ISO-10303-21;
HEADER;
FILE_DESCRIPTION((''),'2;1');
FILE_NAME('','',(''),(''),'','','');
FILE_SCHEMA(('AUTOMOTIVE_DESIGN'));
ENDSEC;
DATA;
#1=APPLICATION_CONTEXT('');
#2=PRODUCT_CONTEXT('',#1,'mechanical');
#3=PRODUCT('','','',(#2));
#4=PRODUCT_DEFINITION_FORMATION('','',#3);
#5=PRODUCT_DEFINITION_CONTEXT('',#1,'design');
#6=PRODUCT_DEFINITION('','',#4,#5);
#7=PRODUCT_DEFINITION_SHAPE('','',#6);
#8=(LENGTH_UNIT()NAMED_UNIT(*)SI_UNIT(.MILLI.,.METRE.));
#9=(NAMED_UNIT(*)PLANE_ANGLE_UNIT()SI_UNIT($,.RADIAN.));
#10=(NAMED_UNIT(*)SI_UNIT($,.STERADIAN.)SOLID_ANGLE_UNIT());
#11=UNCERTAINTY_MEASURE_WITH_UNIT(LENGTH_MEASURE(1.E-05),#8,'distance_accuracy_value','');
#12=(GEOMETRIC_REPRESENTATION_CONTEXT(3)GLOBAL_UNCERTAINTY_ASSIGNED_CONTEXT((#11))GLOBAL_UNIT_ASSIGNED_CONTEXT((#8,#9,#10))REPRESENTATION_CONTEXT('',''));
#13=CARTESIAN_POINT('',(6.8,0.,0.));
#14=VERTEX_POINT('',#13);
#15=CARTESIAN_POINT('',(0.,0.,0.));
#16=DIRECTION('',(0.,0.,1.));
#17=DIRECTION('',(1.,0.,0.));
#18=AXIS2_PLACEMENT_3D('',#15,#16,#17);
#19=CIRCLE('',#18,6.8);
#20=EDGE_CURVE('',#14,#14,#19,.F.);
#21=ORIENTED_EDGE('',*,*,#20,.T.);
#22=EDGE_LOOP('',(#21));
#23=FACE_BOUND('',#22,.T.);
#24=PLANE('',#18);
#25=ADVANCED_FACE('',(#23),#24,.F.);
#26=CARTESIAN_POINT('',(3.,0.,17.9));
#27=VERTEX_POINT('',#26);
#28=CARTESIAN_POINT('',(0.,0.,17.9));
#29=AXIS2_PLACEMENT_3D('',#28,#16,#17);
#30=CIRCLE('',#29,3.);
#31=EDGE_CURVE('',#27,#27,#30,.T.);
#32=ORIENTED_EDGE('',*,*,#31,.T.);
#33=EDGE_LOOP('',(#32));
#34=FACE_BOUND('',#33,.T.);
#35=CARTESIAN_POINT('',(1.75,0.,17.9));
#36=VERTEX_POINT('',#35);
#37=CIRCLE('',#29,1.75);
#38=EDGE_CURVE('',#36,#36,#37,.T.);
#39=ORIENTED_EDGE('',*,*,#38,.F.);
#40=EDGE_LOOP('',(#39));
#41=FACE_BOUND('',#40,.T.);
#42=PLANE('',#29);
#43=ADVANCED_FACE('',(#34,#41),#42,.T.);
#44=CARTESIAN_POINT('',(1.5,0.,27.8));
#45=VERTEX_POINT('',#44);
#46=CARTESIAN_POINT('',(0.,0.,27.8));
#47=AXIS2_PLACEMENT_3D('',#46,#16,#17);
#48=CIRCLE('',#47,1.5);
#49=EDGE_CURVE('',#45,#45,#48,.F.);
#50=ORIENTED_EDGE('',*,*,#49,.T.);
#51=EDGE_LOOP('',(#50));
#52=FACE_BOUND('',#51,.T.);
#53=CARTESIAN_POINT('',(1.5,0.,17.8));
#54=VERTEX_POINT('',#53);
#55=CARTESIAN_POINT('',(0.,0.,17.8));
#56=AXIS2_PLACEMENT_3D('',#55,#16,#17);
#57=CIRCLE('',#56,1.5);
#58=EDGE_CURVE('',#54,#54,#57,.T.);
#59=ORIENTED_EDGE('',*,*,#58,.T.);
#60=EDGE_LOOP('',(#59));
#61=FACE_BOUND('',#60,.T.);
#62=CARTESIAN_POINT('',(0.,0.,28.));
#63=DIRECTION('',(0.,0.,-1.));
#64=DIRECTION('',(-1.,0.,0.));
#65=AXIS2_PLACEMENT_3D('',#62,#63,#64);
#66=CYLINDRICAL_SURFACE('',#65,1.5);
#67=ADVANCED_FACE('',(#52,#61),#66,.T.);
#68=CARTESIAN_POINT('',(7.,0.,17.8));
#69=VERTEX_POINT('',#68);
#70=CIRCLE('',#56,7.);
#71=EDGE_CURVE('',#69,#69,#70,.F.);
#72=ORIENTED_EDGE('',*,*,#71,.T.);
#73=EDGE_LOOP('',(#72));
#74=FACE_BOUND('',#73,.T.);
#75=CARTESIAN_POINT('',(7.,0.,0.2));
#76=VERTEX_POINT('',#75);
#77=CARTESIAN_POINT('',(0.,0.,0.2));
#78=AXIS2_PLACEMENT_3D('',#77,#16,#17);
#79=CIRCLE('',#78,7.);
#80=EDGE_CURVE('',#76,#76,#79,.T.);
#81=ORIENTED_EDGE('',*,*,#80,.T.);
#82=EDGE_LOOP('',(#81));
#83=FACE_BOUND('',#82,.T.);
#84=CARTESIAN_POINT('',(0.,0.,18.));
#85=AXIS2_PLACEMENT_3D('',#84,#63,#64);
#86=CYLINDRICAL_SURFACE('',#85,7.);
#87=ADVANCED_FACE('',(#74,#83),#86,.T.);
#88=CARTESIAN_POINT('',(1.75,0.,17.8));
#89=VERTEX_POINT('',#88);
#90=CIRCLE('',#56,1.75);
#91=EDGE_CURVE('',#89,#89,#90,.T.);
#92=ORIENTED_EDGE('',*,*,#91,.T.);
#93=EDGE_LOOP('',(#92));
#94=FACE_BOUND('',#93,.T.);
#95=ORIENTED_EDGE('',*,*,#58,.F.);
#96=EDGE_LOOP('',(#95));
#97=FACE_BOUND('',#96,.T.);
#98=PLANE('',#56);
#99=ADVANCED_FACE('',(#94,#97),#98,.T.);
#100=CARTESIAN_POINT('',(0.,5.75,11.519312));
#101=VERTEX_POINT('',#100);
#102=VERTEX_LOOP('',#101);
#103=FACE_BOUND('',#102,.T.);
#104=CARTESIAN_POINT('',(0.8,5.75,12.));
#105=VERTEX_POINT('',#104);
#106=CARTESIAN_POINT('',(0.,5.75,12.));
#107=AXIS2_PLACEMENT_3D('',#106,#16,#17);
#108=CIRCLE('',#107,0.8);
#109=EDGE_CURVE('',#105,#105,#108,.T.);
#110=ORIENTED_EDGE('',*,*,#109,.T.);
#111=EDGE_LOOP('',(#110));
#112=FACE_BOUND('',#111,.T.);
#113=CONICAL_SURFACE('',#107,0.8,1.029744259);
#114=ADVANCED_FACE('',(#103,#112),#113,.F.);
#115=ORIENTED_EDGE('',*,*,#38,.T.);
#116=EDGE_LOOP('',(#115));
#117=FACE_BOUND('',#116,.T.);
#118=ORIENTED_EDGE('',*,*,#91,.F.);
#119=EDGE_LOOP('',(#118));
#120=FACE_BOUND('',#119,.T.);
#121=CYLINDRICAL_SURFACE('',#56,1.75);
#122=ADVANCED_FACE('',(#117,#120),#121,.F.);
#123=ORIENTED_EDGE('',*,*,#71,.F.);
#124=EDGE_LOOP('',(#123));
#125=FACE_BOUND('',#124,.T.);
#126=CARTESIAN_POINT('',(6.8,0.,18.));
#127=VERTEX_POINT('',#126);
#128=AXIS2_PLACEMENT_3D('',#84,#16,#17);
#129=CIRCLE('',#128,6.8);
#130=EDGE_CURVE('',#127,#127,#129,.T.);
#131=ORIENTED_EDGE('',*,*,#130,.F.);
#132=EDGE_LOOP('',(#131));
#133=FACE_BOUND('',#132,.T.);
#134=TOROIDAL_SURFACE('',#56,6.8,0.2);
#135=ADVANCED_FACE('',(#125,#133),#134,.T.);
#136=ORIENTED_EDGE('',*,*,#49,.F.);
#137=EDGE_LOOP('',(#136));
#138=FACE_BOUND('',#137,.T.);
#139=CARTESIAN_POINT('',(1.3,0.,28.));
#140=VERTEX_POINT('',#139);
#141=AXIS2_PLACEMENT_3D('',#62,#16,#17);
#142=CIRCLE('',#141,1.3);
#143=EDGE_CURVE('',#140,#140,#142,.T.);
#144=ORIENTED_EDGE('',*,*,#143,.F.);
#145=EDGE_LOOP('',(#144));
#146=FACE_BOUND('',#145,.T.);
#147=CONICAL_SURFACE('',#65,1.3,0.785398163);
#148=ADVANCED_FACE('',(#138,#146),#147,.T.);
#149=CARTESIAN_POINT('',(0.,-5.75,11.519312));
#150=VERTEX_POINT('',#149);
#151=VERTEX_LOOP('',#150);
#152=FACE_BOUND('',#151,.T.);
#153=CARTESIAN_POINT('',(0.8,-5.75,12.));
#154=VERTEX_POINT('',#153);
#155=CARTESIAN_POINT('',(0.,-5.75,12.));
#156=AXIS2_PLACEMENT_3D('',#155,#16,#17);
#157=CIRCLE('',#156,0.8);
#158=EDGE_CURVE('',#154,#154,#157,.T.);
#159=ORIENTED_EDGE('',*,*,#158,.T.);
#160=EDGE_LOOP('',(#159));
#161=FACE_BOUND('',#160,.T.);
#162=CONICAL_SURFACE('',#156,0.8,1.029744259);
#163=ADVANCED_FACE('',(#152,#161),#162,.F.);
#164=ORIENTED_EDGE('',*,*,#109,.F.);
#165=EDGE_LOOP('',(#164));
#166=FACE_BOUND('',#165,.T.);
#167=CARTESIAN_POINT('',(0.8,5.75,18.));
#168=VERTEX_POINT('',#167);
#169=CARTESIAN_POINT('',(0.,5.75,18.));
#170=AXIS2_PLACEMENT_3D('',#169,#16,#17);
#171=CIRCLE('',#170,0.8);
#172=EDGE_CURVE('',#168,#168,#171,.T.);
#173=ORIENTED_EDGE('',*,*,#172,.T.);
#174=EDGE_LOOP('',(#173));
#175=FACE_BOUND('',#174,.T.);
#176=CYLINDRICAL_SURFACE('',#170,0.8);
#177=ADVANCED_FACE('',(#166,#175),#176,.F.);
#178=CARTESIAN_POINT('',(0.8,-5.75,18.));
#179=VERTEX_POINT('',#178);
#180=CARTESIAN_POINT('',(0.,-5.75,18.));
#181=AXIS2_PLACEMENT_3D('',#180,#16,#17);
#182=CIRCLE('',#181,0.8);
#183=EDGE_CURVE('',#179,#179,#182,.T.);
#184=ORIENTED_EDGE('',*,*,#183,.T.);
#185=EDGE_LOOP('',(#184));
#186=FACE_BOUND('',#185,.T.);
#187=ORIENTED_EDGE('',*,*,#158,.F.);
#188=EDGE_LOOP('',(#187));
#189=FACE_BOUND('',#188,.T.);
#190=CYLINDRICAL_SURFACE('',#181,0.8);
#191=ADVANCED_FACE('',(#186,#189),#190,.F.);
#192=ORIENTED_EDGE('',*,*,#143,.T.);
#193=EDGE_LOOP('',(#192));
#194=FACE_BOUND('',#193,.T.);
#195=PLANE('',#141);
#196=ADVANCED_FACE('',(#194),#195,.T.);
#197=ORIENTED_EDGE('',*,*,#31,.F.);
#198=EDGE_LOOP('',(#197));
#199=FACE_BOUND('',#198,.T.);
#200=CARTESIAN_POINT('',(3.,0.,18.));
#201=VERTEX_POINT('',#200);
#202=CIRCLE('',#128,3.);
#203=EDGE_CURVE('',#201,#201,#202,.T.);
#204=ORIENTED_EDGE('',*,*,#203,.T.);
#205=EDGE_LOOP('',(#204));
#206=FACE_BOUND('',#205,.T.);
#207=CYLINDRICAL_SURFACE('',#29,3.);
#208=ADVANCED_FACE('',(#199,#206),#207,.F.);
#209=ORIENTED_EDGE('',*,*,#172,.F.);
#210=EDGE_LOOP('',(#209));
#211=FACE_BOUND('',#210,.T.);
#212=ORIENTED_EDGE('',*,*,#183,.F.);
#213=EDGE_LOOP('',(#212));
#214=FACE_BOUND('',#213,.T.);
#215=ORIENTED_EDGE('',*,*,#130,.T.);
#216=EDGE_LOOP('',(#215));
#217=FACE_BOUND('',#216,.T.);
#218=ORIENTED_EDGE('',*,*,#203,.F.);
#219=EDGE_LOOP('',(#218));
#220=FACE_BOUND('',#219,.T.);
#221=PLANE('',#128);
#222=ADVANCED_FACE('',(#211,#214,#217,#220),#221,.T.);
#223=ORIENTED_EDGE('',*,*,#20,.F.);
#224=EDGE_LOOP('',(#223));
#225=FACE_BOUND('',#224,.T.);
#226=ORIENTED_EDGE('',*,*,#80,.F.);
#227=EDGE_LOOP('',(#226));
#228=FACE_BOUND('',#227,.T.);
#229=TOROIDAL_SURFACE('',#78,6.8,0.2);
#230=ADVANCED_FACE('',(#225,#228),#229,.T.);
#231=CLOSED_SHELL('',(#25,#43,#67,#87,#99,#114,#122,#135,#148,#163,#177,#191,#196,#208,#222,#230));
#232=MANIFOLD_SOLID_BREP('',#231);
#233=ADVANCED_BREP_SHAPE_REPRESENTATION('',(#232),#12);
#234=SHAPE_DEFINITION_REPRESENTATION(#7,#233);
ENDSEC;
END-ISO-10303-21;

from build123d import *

# Parameters (mm, degrees)
SKETCH_1_R             = 7
EXTRUDE_1_DEPTH        = 18
FILLET_1_R             = 0.2
SKETCH_2_R             = 1.5
EXTRUDE_2_DEPTH        = 10
CHAMFER_1_SIZE         = 0.2
HOLE_WIZARD_M2_1_D     = 1.6
HOLE_WIZARD_M2_1_DEPTH = 6
HOLE_WIZARD_M2_1_TIP   = 0.480688495
SKETCH_6_R             = 1.75
SKETCH_6_R_2           = 1.5
CUT_EXTRUDE_1_DEPTH    = 0.2
SKETCH_7_R             = 3
SKETCH_7_R_2           = 1.75
CUT_EXTRUDE_2_DEPTH    = 0.1


with BuildPart() as part:
    # 草图1 → 凸台-拉伸1 (new body)
    with BuildSketch(Plane.XY):
        Circle(SKETCH_1_R)
    extrude(amount=EXTRUDE_1_DEPTH)

    # 圆角1
    fillet_1_edges = [part.edges().sort_by_distance(p)[0] for p in [
        (-7, 0, 0),
        (-7, 0, 18),
    ]]
    fillet(fillet_1_edges, radius=FILLET_1_R)

    # 草图2 → 凸台-拉伸2 (add)
    with BuildSketch(Plane.XY.offset(18)):
        Circle(SKETCH_2_R)
    extrude(amount=EXTRUDE_2_DEPTH)

    # 倒角1
    chamfer_1_edges = [part.edges().sort_by_distance(p)[0] for p in [
        (-1.5, 0, 28),
    ]]
    chamfer(chamfer_1_edges, length=CHAMFER_1_SIZE)

    # M2 螺纹孔1
    with Locations(Plane(origin=(0, 5.75, 18), x_dir=(1, 0, 0), z_dir=(0, 0, 1))):
        with Locations((0, 0), (0, -11.5)):
            Hole(HOLE_WIZARD_M2_1_D / 2, depth=HOLE_WIZARD_M2_1_DEPTH)
            with Locations((0, 0, -(HOLE_WIZARD_M2_1_DEPTH + HOLE_WIZARD_M2_1_TIP / 2))):  # 118° drill point
                Cone(0, HOLE_WIZARD_M2_1_D / 2, HOLE_WIZARD_M2_1_TIP, mode=Mode.SUBTRACT)

    # 草图6 → 切除-拉伸1 (cut)
    with BuildSketch(Plane.XY.offset(18)):
        Circle(SKETCH_6_R)
        Circle(SKETCH_6_R_2, mode=Mode.SUBTRACT)
    extrude(amount=-CUT_EXTRUDE_1_DEPTH, mode=Mode.SUBTRACT)

    # 草图7 → 切除-拉伸2 (cut)
    with BuildSketch(Plane.XY.offset(18)):
        Circle(SKETCH_7_R)
        Circle(SKETCH_7_R_2, mode=Mode.SUBTRACT)
    extrude(amount=-CUT_EXTRUDE_2_DEPTH, mode=Mode.SUBTRACT)


solid = part.part
